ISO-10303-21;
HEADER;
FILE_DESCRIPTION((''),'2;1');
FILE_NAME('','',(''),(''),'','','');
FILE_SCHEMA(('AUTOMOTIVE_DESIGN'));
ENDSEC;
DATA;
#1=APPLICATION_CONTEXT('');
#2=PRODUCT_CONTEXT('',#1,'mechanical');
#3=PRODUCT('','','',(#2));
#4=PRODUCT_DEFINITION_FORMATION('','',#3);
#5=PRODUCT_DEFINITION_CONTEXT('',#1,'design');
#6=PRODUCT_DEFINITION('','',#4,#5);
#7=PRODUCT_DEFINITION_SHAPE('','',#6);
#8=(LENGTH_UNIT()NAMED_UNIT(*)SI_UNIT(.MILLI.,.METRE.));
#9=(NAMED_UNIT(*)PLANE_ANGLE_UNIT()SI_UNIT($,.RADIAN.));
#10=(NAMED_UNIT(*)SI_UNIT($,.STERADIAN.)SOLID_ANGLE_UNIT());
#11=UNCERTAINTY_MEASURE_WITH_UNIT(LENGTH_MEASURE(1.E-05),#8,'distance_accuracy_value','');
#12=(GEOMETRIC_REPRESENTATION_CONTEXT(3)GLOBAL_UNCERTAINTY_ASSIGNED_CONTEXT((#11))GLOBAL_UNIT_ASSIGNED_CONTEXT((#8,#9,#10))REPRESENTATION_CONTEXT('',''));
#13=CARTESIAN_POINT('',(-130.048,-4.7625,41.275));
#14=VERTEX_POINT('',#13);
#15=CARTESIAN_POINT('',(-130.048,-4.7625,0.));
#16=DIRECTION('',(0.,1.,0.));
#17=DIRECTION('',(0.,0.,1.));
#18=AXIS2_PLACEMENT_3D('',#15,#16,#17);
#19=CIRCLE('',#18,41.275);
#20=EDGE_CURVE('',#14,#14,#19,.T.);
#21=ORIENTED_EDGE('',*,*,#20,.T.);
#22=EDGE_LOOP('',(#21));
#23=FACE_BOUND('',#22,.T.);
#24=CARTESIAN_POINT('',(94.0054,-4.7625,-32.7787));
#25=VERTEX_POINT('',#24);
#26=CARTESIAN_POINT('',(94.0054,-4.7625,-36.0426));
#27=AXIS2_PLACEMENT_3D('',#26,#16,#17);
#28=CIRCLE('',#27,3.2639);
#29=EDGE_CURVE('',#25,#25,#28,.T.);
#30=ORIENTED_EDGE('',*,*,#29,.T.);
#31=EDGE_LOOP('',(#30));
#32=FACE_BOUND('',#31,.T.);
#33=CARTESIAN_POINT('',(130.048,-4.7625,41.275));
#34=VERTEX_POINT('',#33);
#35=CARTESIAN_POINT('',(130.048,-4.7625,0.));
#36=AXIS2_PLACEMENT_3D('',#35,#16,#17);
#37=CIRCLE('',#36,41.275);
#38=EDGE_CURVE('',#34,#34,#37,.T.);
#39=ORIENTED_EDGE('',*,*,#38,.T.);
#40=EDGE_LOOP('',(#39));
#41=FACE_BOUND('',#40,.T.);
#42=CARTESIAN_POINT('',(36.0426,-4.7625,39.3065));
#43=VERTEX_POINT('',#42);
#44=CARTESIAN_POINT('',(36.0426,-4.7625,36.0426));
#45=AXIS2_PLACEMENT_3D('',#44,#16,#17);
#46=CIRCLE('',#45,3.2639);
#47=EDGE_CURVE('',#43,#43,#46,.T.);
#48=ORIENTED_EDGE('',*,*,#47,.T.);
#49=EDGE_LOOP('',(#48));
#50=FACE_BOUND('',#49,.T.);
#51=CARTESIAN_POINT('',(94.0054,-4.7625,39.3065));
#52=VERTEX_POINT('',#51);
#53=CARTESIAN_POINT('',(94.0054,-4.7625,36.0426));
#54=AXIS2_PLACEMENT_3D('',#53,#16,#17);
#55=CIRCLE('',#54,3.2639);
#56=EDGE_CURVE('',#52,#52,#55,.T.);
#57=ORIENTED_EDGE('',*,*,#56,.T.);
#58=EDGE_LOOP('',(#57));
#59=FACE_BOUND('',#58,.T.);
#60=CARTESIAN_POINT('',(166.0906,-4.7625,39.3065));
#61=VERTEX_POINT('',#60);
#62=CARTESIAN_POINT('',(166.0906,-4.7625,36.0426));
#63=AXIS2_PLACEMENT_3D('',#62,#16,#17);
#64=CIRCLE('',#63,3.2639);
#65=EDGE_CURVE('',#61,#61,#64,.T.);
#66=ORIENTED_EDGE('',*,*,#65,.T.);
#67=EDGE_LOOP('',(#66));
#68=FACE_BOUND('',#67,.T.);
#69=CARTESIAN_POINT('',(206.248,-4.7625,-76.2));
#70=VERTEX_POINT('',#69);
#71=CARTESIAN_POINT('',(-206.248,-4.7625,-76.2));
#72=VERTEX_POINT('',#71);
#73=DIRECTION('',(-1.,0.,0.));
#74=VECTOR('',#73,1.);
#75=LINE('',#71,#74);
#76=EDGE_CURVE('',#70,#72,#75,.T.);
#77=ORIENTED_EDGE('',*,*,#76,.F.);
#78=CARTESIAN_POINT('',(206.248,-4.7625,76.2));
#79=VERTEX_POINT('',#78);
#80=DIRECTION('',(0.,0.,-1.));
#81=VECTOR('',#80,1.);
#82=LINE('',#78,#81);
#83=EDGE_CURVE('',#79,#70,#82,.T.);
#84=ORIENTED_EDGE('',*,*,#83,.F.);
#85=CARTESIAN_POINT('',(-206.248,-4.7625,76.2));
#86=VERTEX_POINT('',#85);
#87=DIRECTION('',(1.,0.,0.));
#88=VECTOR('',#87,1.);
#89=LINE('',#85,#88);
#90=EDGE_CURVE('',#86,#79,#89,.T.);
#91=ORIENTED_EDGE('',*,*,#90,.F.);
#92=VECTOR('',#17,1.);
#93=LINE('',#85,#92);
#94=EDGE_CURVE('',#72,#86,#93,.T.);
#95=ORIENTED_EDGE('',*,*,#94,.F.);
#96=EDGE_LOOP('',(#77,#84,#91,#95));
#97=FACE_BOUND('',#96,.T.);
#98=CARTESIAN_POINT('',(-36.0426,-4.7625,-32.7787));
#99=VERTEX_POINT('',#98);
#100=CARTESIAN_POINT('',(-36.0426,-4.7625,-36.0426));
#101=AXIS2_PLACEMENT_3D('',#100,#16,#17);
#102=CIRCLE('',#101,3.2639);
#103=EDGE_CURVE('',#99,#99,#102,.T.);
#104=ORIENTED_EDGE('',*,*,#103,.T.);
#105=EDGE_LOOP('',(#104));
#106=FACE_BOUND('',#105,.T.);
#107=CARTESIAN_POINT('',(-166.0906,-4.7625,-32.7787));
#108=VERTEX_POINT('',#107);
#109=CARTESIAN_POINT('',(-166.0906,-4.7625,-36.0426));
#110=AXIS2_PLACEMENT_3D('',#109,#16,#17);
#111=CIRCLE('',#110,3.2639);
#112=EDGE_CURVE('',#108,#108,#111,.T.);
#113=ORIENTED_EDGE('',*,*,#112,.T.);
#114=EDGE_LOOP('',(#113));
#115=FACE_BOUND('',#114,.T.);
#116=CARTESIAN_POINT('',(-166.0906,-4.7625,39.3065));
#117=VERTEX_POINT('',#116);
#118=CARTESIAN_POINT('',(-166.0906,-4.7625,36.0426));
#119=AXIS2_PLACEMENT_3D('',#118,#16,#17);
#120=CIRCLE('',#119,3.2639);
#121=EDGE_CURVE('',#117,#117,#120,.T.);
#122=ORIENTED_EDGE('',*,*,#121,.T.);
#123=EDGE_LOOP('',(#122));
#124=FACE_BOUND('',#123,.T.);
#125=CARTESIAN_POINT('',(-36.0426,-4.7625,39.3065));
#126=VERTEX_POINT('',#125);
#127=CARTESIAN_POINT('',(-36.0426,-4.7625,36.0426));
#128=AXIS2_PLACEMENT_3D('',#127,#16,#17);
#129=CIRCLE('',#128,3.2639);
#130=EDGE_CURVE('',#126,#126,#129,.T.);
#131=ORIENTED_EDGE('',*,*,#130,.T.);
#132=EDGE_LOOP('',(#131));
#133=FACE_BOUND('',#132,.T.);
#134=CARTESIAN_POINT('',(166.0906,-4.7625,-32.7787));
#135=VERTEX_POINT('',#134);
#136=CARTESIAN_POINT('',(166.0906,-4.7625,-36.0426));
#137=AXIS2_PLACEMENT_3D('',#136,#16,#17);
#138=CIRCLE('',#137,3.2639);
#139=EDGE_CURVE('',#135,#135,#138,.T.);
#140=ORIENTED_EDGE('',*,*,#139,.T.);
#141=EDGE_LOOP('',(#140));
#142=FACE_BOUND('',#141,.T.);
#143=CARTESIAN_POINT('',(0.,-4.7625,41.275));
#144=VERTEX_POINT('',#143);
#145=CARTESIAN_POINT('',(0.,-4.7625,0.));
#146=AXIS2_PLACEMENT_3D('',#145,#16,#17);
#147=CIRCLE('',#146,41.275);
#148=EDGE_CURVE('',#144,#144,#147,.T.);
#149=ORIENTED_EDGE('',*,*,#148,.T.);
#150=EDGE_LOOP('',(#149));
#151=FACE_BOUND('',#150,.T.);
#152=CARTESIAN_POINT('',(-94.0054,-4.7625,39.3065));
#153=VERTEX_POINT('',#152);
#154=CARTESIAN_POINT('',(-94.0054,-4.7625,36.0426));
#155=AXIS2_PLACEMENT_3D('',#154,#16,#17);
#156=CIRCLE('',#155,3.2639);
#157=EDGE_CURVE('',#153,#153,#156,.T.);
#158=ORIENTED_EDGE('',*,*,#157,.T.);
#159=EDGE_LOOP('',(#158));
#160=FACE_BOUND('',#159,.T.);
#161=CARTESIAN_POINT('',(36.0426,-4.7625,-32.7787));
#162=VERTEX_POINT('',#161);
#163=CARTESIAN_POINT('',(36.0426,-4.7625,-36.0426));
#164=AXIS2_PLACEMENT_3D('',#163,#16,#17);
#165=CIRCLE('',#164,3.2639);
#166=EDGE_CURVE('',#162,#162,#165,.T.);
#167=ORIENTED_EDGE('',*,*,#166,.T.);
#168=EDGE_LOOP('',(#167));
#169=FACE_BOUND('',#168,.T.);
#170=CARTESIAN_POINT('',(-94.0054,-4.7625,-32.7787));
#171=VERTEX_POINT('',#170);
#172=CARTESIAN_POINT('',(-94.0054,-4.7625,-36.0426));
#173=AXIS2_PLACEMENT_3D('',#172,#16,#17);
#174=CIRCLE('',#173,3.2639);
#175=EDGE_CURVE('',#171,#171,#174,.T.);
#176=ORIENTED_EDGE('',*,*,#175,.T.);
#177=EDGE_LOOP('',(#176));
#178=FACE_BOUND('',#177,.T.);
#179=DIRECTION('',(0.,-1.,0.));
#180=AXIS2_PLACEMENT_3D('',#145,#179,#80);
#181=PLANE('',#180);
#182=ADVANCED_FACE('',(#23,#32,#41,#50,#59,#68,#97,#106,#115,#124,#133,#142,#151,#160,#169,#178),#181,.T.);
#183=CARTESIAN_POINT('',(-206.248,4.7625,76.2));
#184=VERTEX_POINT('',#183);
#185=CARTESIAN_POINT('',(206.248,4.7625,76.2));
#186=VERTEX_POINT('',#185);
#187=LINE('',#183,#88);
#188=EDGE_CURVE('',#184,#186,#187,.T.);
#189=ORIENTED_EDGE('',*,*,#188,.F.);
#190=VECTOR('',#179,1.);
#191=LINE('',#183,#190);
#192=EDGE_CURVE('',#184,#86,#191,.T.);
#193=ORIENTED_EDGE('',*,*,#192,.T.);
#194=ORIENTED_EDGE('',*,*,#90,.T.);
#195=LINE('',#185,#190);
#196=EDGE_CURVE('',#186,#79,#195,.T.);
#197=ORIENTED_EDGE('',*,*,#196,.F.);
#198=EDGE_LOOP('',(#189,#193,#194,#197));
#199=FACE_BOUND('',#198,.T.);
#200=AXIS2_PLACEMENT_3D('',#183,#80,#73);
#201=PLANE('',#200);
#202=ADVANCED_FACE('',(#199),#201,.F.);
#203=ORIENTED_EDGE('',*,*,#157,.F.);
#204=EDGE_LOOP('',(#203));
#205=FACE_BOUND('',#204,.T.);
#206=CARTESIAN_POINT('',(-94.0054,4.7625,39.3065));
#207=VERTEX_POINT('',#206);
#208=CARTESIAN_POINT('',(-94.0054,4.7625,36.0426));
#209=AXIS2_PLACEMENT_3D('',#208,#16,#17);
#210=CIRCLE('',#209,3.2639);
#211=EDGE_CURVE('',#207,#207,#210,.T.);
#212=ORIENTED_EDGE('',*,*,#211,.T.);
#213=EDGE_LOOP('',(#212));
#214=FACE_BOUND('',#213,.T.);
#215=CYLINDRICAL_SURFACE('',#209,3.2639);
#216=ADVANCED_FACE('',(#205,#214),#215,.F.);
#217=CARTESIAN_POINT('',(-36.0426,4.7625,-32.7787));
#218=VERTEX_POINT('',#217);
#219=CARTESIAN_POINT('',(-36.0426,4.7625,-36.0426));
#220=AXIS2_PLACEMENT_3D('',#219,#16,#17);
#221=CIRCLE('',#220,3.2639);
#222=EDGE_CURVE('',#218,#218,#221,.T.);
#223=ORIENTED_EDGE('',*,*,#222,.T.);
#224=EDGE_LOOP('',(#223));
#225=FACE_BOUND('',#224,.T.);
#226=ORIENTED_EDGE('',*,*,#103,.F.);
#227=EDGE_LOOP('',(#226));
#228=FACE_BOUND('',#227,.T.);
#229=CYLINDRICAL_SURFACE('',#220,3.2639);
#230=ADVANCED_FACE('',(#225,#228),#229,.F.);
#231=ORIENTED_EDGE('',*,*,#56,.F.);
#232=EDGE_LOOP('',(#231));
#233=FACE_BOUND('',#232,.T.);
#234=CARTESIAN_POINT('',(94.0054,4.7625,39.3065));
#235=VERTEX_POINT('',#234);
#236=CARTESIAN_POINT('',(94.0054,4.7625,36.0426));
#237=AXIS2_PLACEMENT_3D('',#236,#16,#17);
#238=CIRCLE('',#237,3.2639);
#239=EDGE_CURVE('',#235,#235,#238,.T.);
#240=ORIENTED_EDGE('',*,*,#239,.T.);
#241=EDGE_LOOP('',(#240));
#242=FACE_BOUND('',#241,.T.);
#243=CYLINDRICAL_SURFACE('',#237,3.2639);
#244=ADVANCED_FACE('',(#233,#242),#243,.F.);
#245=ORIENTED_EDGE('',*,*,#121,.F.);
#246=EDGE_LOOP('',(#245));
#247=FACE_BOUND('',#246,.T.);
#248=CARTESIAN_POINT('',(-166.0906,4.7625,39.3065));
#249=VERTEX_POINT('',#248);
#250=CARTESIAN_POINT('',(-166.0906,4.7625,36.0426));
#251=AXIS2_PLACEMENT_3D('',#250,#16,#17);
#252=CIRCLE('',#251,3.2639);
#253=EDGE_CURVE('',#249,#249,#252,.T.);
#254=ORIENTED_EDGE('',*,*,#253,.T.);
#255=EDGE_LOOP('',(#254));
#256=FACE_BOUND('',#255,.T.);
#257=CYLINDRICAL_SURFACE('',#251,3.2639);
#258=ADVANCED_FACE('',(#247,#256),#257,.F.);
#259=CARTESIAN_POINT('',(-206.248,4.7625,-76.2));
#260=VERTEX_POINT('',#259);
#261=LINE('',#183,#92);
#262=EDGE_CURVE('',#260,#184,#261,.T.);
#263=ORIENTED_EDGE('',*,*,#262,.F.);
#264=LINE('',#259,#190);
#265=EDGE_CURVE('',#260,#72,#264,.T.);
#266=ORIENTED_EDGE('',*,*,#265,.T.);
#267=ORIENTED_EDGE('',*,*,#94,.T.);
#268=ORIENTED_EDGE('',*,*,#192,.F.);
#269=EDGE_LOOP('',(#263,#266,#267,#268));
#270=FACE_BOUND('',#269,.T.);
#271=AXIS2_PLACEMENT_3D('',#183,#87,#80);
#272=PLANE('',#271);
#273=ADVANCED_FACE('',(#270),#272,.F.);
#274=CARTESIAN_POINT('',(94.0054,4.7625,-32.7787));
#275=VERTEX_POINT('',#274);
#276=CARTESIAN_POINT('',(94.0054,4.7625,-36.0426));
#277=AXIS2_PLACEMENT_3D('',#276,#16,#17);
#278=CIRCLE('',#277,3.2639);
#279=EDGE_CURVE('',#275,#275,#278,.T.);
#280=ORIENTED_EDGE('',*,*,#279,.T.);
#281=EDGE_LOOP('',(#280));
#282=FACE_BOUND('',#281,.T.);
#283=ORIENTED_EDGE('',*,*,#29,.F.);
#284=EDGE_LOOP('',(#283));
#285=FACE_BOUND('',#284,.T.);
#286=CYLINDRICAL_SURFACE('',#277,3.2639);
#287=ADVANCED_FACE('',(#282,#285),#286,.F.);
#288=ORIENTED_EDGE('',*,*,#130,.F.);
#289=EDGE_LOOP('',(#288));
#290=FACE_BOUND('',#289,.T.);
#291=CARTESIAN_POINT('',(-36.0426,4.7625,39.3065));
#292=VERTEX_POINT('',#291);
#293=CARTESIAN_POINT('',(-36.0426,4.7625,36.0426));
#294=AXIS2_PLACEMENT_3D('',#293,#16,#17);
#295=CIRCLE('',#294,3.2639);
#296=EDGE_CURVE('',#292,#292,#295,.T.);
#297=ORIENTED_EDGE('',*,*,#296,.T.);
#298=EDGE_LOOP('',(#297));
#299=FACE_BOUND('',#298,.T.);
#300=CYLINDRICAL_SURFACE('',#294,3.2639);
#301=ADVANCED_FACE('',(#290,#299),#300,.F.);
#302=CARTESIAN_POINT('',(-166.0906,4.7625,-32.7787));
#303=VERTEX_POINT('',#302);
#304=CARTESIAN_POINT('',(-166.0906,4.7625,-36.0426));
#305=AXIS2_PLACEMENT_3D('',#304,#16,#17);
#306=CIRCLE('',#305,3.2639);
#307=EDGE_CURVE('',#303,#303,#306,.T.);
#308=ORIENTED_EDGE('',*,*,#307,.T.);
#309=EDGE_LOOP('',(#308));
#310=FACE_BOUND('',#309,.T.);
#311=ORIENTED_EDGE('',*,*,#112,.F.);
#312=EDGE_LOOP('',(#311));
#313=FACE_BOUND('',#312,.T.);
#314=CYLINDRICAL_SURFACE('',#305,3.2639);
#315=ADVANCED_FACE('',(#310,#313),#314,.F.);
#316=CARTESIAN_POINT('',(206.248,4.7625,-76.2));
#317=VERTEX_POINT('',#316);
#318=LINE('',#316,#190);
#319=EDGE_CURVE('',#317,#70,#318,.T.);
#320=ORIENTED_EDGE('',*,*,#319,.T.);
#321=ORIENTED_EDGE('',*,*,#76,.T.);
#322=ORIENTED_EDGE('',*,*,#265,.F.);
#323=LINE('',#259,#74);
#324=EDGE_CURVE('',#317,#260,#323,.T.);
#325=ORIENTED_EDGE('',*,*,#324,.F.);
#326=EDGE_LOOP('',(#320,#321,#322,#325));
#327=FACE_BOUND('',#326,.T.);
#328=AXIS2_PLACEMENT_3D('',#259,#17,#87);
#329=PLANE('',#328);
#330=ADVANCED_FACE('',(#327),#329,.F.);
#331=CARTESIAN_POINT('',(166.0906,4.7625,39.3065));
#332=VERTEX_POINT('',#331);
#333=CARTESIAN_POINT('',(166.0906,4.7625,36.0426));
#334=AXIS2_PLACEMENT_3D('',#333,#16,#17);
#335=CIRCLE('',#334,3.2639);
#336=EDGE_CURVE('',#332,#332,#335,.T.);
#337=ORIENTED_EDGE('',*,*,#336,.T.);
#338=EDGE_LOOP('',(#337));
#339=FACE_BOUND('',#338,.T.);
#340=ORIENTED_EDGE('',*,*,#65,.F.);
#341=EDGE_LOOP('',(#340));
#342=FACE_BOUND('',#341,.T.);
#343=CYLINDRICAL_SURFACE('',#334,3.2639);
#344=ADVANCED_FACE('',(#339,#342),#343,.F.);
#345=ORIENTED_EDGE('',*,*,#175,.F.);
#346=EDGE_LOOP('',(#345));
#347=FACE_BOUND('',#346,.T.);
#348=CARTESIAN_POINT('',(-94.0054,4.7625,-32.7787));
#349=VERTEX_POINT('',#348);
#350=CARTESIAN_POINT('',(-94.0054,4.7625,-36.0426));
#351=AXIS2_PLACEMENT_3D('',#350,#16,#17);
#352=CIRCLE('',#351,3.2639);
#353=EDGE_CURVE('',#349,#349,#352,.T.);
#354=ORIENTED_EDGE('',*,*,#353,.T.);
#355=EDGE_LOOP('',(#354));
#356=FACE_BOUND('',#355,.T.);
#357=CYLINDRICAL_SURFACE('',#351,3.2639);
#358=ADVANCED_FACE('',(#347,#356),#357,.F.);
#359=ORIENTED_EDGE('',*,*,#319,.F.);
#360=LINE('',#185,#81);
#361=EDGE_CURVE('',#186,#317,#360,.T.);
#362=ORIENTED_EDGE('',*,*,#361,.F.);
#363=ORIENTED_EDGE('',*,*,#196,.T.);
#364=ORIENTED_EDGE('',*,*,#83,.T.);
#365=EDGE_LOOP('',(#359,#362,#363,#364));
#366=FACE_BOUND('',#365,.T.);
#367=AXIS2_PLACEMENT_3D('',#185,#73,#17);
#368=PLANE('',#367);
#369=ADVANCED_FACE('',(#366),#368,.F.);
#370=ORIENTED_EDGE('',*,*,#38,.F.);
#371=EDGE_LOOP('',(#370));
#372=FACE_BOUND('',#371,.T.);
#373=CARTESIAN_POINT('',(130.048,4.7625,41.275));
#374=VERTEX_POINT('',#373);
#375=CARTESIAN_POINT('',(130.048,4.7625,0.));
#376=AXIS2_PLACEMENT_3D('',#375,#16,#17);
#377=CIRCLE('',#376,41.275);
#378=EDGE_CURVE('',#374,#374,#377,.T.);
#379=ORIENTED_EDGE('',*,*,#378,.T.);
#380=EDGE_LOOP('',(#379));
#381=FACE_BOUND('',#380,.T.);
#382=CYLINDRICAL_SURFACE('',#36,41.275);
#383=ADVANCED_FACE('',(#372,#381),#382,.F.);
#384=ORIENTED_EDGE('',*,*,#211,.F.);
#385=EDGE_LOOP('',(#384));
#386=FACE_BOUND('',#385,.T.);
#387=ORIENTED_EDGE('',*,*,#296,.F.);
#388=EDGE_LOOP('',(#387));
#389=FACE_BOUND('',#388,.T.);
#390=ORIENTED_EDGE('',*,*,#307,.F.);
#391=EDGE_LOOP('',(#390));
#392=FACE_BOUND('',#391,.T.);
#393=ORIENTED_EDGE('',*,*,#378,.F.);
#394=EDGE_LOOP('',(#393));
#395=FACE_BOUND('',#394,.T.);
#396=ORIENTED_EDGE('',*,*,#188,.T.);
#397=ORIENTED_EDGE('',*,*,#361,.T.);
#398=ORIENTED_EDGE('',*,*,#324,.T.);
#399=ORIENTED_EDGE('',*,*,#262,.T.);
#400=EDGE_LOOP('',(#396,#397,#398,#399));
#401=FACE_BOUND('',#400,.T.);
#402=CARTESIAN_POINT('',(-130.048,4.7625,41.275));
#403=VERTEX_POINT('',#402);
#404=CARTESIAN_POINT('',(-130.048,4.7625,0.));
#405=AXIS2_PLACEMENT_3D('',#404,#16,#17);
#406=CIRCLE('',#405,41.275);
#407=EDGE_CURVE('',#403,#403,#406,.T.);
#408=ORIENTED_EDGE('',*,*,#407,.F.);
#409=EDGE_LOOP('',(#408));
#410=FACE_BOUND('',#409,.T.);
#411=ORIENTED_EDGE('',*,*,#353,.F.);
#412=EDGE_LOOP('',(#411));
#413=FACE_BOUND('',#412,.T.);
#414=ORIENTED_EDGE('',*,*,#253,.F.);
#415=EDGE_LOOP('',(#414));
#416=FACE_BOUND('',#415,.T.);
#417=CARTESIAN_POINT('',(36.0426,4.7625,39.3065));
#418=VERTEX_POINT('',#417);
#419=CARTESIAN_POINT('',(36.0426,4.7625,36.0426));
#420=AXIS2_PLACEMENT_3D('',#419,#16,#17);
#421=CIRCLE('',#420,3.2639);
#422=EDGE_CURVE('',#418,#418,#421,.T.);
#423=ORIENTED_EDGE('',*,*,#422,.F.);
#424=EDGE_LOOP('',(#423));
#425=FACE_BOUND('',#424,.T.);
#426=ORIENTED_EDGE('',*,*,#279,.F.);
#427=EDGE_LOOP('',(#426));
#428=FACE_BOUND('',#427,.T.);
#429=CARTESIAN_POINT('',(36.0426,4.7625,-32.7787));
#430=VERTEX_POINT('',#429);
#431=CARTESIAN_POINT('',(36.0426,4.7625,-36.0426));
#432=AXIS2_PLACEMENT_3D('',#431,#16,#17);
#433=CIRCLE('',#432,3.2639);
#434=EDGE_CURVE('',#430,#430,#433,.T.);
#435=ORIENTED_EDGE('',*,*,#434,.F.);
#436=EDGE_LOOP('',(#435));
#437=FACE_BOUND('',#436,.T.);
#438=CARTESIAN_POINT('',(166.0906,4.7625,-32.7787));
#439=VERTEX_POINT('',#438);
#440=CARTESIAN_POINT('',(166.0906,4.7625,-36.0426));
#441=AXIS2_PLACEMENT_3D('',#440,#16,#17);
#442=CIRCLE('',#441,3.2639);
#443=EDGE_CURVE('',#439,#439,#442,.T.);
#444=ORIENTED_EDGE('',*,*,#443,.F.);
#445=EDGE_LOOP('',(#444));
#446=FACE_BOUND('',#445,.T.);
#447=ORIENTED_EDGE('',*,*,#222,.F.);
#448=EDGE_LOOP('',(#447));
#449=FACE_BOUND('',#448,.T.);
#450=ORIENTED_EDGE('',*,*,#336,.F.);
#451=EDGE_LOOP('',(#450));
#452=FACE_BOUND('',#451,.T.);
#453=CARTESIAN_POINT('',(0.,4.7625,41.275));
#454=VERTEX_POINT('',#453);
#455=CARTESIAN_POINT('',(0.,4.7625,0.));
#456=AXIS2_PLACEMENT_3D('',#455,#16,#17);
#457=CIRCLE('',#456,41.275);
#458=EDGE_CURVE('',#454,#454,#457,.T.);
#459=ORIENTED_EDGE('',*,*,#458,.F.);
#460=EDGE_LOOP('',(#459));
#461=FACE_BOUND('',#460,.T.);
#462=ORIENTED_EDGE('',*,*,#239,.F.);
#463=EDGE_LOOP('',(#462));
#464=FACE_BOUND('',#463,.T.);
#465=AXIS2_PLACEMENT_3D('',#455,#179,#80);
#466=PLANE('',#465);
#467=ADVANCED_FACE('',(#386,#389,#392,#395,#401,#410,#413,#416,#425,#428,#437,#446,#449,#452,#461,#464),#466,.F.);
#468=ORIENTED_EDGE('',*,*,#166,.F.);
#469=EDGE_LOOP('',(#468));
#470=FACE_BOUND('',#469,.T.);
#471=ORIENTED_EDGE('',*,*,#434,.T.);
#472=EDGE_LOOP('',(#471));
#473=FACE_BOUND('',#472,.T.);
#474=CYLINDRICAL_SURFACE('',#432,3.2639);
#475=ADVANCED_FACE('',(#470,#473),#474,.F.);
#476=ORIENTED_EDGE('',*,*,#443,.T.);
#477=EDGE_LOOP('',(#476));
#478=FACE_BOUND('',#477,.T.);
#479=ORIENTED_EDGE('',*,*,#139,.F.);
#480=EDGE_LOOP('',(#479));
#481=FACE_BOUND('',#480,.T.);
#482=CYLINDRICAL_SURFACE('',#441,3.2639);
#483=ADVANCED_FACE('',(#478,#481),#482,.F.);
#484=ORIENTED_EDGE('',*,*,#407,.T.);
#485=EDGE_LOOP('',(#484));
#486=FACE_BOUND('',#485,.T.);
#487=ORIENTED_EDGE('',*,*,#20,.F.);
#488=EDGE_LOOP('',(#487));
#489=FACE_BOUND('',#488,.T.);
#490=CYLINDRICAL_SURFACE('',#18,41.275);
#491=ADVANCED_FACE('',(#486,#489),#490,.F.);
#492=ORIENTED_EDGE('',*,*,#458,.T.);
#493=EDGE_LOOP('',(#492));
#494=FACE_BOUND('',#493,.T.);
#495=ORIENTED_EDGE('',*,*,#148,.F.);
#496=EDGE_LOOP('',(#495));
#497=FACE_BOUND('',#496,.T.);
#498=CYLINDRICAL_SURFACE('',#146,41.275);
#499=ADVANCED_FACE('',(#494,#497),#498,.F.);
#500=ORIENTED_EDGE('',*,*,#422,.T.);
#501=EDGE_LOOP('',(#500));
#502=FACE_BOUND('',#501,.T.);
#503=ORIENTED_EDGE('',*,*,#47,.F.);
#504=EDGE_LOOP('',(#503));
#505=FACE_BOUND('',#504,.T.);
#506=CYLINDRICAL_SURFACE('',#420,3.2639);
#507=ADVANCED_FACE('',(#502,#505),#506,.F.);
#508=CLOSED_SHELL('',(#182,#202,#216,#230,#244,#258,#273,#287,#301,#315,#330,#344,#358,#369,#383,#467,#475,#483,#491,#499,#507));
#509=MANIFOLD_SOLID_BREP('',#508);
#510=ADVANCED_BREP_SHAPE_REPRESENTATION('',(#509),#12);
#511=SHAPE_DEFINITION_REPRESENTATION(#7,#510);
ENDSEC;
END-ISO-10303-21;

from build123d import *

# Parameters (mm, degrees)
SKETCH1_W                    = 412.496
SKETCH1_H                    = 152.4
BOSS_EXTRUDE1_DEPTH          = 4.7625
CUT_EXTRUDE2_START           = 4.7625
SKETCH2_R                    = 41.275
CUT_EXTRUDE2_DEPTH           = 225.688303193
F_5_16_18_TAPPED_HOLE1_D     = 6.5278
F_5_16_18_TAPPED_HOLE1_DEPTH = 9.525
F_5_16_18_TAPPED_HOLE1_TIP   = 1.961148974
F_5_16_18_TAPPED_HOLE2_D     = 6.5278
F_5_16_18_TAPPED_HOLE2_DEPTH = 9.525
F_5_16_18_TAPPED_HOLE2_TIP   = 1.961148974
F_5_16_18_TAPPED_HOLE3_D     = 6.5278
F_5_16_18_TAPPED_HOLE3_DEPTH = 9.525
F_5_16_18_TAPPED_HOLE3_TIP   = 1.961148974


with BuildPart() as part:
    # Sketch1 → Boss-Extrude1 (new, symmetric)
    with BuildSketch(Plane(origin=(0, 0, 0), x_dir=(1, 0, 0), z_dir=(0, 1, 0))):
        Rectangle(SKETCH1_W, SKETCH1_H)
    extrude(amount=BOSS_EXTRUDE1_DEPTH, both=True)

    # Sketch2 → Cut-Extrude2 (cut, through all)
    with BuildSketch(Plane(origin=(0, 0, 0), x_dir=(1, 0, 0), z_dir=(0, 1, 0)).offset(CUT_EXTRUDE2_START)):
        with Locations(Location((-130.048, 0, 0), (0, 0, 270))):
            Circle(SKETCH2_R)
        with Locations(Location((0, 0, 0), (0, 0, 270))):
            Circle(SKETCH2_R)
        with Locations(Location((130.048, 0, 0), (0, 0, 270))):
            Circle(SKETCH2_R)
    extrude(amount=-CUT_EXTRUDE2_DEPTH, mode=Mode.SUBTRACT)

    # 5/16-18 Tapped Hole1
    with Locations(Plane(origin=(0, 4.7625, 0), x_dir=(1, 0, 0), z_dir=(0, 1, 0))):
        with Locations((-166.0906, -36.0426), (-94.0054, -36.0426), (-166.0906, 36.0426), (-94.0054, 36.0426)):
            Hole(F_5_16_18_TAPPED_HOLE1_D / 2, depth=F_5_16_18_TAPPED_HOLE1_DEPTH)
            with Locations((0, 0, -(F_5_16_18_TAPPED_HOLE1_DEPTH + F_5_16_18_TAPPED_HOLE1_TIP / 2))):  # 118° drill point
                Cone(0, F_5_16_18_TAPPED_HOLE1_D / 2, F_5_16_18_TAPPED_HOLE1_TIP, mode=Mode.SUBTRACT)

    # 5/16-18 Tapped Hole2
    with Locations(Plane(origin=(0, 4.7625, 0), x_dir=(1, 0, 0), z_dir=(0, 1, 0))):
        with Locations((-36.0426, -36.0426), (36.0426, -36.0426), (-36.0426, 36.0426), (36.0426, 36.0426)):
            Hole(F_5_16_18_TAPPED_HOLE2_D / 2, depth=F_5_16_18_TAPPED_HOLE2_DEPTH)
            with Locations((0, 0, -(F_5_16_18_TAPPED_HOLE2_DEPTH + F_5_16_18_TAPPED_HOLE2_TIP / 2))):  # 118° drill point
                Cone(0, F_5_16_18_TAPPED_HOLE2_D / 2, F_5_16_18_TAPPED_HOLE2_TIP, mode=Mode.SUBTRACT)

    # 5/16-18 Tapped Hole3
    with Locations(Plane(origin=(0, 4.7625, 0), x_dir=(1, 0, 0), z_dir=(0, 1, 0))):
        with Locations((94.0054, -36.0426), (166.0906, -36.0426), (94.0054, 36.0426), (166.0906, 36.0426)):
            Hole(F_5_16_18_TAPPED_HOLE3_D / 2, depth=F_5_16_18_TAPPED_HOLE3_DEPTH)
            with Locations((0, 0, -(F_5_16_18_TAPPED_HOLE3_DEPTH + F_5_16_18_TAPPED_HOLE3_TIP / 2))):  # 118° drill point
                Cone(0, F_5_16_18_TAPPED_HOLE3_D / 2, F_5_16_18_TAPPED_HOLE3_TIP, mode=Mode.SUBTRACT)


solid = part.part
